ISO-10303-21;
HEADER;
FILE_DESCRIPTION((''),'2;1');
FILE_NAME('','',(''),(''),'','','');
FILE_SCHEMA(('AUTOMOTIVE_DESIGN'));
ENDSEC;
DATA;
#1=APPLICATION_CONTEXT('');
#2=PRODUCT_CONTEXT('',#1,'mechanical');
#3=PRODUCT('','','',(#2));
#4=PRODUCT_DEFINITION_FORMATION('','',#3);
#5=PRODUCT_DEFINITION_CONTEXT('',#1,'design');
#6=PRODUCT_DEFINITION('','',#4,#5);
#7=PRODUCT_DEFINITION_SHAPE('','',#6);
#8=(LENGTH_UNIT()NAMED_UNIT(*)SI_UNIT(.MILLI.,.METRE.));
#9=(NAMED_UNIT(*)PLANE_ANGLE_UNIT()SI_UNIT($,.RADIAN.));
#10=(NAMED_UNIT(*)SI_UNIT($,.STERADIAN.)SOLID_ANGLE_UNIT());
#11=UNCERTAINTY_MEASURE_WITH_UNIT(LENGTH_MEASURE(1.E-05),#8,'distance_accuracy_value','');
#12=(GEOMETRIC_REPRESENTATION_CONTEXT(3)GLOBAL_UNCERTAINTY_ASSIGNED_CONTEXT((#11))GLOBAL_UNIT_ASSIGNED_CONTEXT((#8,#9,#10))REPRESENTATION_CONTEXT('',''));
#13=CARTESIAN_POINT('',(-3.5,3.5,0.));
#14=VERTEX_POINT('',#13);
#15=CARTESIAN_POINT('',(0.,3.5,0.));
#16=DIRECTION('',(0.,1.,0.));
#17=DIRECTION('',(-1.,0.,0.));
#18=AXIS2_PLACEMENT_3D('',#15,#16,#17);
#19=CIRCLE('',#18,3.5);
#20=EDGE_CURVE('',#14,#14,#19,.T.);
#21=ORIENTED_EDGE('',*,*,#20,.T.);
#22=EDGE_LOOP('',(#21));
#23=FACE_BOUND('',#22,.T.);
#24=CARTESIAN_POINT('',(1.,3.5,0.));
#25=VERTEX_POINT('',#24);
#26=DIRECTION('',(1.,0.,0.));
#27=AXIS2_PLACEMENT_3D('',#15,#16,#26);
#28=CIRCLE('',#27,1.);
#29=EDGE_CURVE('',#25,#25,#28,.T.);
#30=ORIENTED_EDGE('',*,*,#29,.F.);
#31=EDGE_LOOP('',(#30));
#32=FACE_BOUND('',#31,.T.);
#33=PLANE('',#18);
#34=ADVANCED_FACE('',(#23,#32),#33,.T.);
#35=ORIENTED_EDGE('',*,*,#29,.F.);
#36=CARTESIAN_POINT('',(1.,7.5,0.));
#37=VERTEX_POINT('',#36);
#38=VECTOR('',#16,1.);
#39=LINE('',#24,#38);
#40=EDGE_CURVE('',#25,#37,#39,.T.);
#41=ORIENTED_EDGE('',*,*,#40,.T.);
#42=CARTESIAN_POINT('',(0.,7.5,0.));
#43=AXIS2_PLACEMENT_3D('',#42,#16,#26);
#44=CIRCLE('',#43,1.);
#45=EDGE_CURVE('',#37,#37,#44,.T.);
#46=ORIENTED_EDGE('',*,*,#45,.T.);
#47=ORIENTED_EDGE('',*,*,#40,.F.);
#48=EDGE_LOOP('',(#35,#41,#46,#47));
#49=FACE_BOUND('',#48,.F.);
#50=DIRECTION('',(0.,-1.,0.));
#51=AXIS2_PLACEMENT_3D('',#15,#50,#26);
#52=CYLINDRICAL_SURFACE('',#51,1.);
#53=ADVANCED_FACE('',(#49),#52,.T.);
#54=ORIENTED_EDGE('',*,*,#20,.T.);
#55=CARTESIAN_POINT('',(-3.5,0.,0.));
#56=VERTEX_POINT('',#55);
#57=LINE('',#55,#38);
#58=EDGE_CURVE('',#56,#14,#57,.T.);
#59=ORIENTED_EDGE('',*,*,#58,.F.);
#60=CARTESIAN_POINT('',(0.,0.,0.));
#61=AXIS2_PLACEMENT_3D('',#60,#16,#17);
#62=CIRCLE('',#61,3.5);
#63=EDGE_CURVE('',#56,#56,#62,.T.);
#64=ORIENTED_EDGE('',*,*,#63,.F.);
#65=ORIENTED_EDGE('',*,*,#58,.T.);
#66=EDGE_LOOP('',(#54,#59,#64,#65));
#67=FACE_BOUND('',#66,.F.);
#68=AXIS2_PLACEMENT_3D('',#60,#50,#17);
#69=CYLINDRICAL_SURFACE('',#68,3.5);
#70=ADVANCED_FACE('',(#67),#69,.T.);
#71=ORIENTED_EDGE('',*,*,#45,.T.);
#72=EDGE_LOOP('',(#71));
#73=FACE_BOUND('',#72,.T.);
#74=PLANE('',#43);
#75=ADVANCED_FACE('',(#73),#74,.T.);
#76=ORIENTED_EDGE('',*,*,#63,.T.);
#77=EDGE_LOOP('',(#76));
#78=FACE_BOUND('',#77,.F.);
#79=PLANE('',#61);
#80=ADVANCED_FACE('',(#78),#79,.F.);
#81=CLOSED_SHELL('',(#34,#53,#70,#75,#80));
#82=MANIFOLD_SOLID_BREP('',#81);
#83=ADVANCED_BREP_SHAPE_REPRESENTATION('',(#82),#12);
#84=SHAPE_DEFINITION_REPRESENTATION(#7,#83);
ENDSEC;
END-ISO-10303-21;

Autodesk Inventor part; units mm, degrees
ref_plane "YZ Plane" through (0, 0, 0) normal (1, 0, 0) x (0, 1, 0)
ref_plane "XZ Plane" through (0, 0, 0) normal (0, 1, 0) x (-1, 0, 0)
ref_plane "XY Plane" through (0, 0, 0) normal (0, 0, 1) x (1, 0, 0)
sketch "Sketch1" plane through (0, 0, 0) normal (0, 1, 0) x (-1, 0, 0)
  circle A0 centre (0, 0) radius 3.5
  dimension "d0" = 7
extrude "Extrusion1" add sketch "Sketch1" along normal blind 3.5
sketch "Sketch2" plane through (0, 3.5, 0) normal (0, 1, 0) x (1, 0, 0)
  circle A0 centre (0, 0) radius 1
  dimension "d3" = 2
extrude "Extrusion2" add sketch "Sketch2" along normal blind 4
thread "Thread1" size "M2x0.4" class "6g" standard "ANSI Metric M Profile" full length
properties part number "zaporkaShponki" material "Aluminum 6061-AHC"
